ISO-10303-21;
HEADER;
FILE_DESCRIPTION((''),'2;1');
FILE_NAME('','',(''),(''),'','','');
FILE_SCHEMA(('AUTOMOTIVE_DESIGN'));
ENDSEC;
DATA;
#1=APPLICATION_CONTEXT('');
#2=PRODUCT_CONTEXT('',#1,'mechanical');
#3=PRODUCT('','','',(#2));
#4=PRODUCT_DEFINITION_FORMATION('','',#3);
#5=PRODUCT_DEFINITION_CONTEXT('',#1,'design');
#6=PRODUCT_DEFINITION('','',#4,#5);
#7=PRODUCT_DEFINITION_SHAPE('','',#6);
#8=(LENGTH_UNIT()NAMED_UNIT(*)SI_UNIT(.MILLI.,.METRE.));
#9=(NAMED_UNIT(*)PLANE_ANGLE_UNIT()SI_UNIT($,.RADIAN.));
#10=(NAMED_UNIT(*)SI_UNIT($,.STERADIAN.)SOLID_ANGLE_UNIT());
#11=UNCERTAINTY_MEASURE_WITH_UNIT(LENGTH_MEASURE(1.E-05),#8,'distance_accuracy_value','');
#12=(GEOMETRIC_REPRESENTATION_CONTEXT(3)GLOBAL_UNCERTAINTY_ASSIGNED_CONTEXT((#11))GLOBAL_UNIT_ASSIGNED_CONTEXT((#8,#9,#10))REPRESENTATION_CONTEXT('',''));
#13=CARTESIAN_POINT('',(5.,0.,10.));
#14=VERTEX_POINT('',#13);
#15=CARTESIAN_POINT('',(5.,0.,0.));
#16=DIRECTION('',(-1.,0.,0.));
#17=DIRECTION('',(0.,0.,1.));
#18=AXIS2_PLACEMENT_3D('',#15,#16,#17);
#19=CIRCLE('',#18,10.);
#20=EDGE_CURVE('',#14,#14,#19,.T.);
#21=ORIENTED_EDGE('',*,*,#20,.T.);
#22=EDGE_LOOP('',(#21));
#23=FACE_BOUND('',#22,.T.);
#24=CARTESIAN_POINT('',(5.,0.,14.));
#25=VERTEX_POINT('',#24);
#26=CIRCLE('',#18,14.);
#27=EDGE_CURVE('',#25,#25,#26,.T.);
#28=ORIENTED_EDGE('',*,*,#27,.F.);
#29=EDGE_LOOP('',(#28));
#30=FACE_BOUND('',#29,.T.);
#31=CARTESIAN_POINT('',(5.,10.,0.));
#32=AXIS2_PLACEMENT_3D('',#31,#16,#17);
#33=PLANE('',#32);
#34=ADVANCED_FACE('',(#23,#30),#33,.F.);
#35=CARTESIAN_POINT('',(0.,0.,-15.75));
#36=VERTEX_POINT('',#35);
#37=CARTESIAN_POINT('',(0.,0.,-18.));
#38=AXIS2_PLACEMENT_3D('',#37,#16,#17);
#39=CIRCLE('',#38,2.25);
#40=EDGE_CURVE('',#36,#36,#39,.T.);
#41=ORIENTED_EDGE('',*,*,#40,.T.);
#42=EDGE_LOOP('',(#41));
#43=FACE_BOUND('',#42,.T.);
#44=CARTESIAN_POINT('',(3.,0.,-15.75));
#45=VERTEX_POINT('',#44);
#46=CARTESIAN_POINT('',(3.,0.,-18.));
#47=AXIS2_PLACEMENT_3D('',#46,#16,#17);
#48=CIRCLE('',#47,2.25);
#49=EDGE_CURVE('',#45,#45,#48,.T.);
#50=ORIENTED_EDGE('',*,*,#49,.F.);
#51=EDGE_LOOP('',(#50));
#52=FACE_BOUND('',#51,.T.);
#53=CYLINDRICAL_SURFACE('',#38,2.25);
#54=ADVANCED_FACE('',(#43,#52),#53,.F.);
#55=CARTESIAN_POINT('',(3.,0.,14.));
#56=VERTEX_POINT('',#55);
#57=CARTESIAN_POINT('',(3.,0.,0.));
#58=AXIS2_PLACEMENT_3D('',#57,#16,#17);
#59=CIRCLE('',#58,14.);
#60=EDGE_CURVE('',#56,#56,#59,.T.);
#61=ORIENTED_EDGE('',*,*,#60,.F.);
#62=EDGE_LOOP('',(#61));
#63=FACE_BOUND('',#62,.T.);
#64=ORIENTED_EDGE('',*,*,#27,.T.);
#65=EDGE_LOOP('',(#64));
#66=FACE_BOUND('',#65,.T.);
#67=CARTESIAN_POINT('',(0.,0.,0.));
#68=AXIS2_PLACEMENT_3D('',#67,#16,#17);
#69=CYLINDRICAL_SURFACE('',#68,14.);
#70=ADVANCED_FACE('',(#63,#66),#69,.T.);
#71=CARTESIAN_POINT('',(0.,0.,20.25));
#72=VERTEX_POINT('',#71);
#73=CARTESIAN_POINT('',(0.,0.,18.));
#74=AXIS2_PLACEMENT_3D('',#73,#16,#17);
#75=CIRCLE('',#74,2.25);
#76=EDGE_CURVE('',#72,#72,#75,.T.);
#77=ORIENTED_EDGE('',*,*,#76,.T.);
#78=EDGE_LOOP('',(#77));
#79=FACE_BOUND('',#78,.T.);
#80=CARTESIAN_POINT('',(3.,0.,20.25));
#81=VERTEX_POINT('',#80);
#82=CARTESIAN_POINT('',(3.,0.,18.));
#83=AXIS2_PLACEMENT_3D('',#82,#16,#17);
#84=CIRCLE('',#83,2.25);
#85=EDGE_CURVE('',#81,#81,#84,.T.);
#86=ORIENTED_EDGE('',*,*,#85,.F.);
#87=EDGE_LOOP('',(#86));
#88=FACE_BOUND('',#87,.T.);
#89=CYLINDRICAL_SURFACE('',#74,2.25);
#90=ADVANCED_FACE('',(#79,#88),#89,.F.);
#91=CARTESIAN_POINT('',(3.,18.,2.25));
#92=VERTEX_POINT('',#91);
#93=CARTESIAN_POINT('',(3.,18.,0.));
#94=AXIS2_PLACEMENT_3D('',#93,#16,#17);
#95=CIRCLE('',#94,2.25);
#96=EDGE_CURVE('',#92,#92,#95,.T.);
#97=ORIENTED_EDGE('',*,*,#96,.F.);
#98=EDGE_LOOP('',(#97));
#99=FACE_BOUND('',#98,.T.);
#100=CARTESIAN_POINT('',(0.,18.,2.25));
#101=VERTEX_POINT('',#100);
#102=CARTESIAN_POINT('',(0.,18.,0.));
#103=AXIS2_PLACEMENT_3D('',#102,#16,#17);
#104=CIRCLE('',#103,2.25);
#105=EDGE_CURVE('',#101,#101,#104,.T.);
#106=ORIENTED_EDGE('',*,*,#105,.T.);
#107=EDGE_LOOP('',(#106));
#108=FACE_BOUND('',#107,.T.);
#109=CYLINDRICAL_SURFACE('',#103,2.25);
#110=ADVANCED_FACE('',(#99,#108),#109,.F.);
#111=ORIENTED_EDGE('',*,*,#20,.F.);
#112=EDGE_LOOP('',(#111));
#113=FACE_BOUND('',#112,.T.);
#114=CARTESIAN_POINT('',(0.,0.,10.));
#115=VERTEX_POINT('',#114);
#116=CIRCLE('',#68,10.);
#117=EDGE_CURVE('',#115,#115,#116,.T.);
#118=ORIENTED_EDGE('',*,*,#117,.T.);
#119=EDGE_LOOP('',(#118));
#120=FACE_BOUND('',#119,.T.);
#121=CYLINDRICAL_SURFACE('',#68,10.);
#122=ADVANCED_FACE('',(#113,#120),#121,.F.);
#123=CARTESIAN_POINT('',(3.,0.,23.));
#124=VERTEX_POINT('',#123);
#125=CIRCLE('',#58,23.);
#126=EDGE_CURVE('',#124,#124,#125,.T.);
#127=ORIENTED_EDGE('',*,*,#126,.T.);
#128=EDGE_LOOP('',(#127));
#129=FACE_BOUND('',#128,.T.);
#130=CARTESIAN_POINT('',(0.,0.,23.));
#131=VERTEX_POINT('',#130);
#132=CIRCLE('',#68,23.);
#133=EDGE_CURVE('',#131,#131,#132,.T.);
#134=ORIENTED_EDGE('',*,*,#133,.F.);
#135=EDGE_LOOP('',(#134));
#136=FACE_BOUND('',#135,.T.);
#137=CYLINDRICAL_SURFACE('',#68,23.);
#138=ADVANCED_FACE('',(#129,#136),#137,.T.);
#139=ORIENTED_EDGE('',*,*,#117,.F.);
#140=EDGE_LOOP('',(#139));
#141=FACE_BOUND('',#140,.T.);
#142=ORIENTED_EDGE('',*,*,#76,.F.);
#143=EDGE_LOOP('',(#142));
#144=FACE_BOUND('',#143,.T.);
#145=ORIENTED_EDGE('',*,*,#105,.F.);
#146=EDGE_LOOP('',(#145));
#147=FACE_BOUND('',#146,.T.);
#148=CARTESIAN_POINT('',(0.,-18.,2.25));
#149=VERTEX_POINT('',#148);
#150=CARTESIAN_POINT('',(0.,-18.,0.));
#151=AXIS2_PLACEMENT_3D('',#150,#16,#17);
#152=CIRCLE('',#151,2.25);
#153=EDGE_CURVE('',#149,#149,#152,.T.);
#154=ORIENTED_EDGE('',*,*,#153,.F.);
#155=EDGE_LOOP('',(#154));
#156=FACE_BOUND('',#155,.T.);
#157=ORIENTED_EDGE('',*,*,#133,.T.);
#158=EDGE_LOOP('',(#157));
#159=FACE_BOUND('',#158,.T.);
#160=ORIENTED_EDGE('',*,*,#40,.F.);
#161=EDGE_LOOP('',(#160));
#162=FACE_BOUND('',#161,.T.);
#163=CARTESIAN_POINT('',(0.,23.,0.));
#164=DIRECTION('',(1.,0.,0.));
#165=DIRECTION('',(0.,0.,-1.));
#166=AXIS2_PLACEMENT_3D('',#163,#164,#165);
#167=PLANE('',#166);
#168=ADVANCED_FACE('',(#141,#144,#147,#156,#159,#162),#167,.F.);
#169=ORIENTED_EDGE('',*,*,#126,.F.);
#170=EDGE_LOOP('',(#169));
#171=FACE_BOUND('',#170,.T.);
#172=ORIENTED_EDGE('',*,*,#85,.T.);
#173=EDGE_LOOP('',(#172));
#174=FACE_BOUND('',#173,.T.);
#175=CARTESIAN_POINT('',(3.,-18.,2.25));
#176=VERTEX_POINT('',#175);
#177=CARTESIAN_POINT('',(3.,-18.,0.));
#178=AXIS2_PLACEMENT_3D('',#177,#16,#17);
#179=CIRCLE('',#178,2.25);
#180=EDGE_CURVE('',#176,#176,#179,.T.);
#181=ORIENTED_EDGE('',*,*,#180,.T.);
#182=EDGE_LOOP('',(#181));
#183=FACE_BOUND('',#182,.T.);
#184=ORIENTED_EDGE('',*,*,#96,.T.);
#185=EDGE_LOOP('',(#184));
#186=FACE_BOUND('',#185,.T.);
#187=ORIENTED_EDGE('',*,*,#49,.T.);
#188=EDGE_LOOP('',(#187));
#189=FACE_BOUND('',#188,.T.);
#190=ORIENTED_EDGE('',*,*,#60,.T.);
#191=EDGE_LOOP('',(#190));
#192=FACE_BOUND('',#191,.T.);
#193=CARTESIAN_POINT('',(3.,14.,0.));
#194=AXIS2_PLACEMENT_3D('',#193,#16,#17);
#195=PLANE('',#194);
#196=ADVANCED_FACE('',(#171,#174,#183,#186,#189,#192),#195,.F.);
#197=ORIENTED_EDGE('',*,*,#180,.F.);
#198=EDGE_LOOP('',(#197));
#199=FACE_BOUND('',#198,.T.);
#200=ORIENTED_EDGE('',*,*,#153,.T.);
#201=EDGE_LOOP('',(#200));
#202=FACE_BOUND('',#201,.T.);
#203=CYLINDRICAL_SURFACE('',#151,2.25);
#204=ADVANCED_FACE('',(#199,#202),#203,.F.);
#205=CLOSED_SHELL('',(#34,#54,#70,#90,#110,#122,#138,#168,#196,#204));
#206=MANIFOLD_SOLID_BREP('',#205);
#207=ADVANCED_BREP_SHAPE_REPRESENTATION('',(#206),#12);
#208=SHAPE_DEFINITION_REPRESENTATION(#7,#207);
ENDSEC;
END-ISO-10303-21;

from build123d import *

# Parameters (mm, degrees)
M4_CLEARANCE_HOLE1_D     = 4.5
M4_CLEARANCE_HOLE1_DEPTH = 3
CIRPATTERN1_COUNT        = 4


with BuildPart() as part:
    # Sketch1 → Revolve1 (revolve)
    with BuildSketch(Plane.XY):
        Polygon((0, 10), (5, 10), (5, 14), (3, 14), (3, 23), (0, 23), align=None)
    revolve(axis=Axis((0, 0, 0), (1, 0, 0)))

    # M4 Clearance Hole1
    with Locations(Plane.ZY):
        with Locations((0, 18)):
            m4_clearance_hole1 = Hole(M4_CLEARANCE_HOLE1_D / 2, depth=M4_CLEARANCE_HOLE1_DEPTH)

    # CirPattern1: M4 Clearance Hole1 ×4 about axis
    cirpattern1_axis = Axis((0, 0, 0), (1, 0, 0))
    for i in range(1, CIRPATTERN1_COUNT):
        add(m4_clearance_hole1.rotate(cirpattern1_axis, i * 360 / CIRPATTERN1_COUNT), mode=Mode.SUBTRACT)


solid = part.part
